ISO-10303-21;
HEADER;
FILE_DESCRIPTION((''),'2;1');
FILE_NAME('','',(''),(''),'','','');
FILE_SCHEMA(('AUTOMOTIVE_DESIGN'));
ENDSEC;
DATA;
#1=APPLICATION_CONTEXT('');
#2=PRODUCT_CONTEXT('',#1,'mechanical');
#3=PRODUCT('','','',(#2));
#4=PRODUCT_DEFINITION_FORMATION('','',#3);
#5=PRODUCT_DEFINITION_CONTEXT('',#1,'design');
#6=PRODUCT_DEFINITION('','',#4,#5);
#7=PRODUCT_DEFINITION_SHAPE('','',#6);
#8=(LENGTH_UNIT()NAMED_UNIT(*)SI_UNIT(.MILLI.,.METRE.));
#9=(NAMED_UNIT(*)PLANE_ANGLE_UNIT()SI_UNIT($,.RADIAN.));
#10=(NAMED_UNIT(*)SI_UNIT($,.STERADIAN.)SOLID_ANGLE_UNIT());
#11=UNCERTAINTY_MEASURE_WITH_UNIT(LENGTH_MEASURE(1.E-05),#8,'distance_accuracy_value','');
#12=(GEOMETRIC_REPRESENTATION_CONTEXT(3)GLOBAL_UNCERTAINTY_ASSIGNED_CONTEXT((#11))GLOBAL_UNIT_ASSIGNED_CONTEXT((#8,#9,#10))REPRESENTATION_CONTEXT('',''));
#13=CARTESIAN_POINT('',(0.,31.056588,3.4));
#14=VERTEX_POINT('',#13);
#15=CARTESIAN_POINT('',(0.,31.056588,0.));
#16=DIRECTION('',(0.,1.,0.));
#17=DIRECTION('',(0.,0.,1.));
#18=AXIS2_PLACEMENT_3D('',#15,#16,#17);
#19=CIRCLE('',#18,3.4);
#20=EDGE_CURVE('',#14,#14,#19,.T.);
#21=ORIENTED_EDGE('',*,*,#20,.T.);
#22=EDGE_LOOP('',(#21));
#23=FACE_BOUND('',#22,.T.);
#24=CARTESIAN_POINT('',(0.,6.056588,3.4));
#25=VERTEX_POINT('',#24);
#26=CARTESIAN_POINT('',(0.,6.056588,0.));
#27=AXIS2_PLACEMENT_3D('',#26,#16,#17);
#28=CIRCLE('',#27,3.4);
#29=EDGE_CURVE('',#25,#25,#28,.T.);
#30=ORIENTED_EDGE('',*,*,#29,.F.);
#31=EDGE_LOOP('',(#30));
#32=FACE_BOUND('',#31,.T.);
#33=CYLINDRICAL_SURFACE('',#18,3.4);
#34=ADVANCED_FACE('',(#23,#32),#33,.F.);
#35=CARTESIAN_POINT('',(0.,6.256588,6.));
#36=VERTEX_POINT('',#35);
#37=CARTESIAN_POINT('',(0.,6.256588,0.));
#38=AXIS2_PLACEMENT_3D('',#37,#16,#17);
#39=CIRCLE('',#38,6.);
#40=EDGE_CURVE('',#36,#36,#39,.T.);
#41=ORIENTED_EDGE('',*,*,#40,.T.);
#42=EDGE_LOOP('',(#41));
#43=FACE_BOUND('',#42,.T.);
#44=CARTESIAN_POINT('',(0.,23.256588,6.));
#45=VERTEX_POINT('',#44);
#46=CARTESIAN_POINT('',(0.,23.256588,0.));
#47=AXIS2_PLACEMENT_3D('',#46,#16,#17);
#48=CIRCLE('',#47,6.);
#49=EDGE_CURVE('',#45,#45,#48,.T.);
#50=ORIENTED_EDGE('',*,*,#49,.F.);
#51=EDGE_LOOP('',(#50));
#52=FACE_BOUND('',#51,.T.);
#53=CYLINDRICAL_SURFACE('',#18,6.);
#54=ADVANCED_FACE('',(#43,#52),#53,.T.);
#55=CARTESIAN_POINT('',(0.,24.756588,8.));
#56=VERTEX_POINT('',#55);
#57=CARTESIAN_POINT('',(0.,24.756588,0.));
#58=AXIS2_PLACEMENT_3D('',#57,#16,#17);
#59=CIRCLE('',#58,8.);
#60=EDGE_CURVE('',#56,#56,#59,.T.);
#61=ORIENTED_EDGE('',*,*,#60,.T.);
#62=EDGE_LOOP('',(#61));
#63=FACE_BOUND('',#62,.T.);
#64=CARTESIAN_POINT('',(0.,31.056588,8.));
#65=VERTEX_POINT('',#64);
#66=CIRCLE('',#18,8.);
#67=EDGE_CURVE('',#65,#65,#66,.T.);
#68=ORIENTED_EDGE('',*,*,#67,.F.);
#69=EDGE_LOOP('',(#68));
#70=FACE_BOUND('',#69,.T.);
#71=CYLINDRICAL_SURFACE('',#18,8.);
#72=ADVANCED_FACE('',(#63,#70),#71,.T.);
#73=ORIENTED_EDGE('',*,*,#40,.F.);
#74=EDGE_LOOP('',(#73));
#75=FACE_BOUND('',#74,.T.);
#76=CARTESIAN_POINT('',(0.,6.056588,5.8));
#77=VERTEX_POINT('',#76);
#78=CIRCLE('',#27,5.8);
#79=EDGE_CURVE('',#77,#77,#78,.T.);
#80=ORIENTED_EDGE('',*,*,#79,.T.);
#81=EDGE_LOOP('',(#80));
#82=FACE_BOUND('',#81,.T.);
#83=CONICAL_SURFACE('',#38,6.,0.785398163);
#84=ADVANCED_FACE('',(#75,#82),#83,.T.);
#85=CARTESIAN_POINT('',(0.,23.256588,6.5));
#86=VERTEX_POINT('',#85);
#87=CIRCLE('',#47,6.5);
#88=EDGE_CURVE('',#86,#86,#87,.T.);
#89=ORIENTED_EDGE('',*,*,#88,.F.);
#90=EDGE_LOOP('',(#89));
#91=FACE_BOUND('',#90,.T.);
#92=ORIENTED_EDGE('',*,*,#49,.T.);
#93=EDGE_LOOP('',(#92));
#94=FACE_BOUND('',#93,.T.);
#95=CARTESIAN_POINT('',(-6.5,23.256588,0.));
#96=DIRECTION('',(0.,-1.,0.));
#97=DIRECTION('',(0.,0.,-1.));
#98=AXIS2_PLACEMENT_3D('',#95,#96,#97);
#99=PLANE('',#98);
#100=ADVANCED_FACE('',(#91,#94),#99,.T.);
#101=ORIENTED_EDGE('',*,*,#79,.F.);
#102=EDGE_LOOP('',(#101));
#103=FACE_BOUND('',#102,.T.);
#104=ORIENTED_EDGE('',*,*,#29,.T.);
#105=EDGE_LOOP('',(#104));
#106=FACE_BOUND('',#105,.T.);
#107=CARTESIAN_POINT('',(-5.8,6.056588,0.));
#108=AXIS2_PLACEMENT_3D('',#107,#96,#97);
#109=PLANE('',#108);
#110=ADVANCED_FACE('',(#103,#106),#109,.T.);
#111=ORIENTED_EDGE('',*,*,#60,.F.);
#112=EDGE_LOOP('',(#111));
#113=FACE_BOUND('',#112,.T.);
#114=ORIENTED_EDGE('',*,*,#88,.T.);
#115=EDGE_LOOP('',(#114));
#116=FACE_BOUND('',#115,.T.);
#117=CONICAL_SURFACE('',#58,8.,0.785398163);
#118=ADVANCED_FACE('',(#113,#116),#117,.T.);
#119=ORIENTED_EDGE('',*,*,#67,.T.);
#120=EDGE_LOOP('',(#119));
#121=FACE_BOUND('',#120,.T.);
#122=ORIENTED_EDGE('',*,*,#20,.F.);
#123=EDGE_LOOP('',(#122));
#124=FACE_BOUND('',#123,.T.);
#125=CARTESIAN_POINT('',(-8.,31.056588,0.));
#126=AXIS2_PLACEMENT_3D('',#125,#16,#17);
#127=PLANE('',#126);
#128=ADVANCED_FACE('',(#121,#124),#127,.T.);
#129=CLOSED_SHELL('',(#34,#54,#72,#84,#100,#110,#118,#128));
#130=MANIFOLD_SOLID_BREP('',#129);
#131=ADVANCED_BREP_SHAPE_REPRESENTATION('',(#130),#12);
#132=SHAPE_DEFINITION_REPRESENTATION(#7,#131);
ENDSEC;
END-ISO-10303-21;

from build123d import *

# Parameters (mm, degrees)
SKETCH3_W = 3.4
SKETCH3_H = 25


with BuildPart() as part:
    # Sketch1 → Revolve1 (revolve)
    with BuildSketch(Plane.XY):
        Polygon((-6, 23.256587884), (-6, 6.256587884), (-5.8, 6.056587884), (0, 6.056587884), (0, 31.056587884), (-8, 31.056587884), (-8, 24.756587884), (-6.5, 23.256587884), align=None)
    revolve(axis=Axis((0, 31.056587884, 0), (0, -1, 0)))

    # Sketch3 → M8x1.25 Tapped Hole1 (revolve, cut)
    with BuildSketch(Plane(origin=(0, 31.056587884, 0), x_dir=(0, 0, 1), z_dir=(1, 0, 0))):
        with Locations((1.7, 12.5)):
            Rectangle(SKETCH3_W, SKETCH3_H)
    revolve(axis=Axis((0, 37.406587884, 0), (0, -1, 0)), mode=Mode.SUBTRACT)


solid = part.part
